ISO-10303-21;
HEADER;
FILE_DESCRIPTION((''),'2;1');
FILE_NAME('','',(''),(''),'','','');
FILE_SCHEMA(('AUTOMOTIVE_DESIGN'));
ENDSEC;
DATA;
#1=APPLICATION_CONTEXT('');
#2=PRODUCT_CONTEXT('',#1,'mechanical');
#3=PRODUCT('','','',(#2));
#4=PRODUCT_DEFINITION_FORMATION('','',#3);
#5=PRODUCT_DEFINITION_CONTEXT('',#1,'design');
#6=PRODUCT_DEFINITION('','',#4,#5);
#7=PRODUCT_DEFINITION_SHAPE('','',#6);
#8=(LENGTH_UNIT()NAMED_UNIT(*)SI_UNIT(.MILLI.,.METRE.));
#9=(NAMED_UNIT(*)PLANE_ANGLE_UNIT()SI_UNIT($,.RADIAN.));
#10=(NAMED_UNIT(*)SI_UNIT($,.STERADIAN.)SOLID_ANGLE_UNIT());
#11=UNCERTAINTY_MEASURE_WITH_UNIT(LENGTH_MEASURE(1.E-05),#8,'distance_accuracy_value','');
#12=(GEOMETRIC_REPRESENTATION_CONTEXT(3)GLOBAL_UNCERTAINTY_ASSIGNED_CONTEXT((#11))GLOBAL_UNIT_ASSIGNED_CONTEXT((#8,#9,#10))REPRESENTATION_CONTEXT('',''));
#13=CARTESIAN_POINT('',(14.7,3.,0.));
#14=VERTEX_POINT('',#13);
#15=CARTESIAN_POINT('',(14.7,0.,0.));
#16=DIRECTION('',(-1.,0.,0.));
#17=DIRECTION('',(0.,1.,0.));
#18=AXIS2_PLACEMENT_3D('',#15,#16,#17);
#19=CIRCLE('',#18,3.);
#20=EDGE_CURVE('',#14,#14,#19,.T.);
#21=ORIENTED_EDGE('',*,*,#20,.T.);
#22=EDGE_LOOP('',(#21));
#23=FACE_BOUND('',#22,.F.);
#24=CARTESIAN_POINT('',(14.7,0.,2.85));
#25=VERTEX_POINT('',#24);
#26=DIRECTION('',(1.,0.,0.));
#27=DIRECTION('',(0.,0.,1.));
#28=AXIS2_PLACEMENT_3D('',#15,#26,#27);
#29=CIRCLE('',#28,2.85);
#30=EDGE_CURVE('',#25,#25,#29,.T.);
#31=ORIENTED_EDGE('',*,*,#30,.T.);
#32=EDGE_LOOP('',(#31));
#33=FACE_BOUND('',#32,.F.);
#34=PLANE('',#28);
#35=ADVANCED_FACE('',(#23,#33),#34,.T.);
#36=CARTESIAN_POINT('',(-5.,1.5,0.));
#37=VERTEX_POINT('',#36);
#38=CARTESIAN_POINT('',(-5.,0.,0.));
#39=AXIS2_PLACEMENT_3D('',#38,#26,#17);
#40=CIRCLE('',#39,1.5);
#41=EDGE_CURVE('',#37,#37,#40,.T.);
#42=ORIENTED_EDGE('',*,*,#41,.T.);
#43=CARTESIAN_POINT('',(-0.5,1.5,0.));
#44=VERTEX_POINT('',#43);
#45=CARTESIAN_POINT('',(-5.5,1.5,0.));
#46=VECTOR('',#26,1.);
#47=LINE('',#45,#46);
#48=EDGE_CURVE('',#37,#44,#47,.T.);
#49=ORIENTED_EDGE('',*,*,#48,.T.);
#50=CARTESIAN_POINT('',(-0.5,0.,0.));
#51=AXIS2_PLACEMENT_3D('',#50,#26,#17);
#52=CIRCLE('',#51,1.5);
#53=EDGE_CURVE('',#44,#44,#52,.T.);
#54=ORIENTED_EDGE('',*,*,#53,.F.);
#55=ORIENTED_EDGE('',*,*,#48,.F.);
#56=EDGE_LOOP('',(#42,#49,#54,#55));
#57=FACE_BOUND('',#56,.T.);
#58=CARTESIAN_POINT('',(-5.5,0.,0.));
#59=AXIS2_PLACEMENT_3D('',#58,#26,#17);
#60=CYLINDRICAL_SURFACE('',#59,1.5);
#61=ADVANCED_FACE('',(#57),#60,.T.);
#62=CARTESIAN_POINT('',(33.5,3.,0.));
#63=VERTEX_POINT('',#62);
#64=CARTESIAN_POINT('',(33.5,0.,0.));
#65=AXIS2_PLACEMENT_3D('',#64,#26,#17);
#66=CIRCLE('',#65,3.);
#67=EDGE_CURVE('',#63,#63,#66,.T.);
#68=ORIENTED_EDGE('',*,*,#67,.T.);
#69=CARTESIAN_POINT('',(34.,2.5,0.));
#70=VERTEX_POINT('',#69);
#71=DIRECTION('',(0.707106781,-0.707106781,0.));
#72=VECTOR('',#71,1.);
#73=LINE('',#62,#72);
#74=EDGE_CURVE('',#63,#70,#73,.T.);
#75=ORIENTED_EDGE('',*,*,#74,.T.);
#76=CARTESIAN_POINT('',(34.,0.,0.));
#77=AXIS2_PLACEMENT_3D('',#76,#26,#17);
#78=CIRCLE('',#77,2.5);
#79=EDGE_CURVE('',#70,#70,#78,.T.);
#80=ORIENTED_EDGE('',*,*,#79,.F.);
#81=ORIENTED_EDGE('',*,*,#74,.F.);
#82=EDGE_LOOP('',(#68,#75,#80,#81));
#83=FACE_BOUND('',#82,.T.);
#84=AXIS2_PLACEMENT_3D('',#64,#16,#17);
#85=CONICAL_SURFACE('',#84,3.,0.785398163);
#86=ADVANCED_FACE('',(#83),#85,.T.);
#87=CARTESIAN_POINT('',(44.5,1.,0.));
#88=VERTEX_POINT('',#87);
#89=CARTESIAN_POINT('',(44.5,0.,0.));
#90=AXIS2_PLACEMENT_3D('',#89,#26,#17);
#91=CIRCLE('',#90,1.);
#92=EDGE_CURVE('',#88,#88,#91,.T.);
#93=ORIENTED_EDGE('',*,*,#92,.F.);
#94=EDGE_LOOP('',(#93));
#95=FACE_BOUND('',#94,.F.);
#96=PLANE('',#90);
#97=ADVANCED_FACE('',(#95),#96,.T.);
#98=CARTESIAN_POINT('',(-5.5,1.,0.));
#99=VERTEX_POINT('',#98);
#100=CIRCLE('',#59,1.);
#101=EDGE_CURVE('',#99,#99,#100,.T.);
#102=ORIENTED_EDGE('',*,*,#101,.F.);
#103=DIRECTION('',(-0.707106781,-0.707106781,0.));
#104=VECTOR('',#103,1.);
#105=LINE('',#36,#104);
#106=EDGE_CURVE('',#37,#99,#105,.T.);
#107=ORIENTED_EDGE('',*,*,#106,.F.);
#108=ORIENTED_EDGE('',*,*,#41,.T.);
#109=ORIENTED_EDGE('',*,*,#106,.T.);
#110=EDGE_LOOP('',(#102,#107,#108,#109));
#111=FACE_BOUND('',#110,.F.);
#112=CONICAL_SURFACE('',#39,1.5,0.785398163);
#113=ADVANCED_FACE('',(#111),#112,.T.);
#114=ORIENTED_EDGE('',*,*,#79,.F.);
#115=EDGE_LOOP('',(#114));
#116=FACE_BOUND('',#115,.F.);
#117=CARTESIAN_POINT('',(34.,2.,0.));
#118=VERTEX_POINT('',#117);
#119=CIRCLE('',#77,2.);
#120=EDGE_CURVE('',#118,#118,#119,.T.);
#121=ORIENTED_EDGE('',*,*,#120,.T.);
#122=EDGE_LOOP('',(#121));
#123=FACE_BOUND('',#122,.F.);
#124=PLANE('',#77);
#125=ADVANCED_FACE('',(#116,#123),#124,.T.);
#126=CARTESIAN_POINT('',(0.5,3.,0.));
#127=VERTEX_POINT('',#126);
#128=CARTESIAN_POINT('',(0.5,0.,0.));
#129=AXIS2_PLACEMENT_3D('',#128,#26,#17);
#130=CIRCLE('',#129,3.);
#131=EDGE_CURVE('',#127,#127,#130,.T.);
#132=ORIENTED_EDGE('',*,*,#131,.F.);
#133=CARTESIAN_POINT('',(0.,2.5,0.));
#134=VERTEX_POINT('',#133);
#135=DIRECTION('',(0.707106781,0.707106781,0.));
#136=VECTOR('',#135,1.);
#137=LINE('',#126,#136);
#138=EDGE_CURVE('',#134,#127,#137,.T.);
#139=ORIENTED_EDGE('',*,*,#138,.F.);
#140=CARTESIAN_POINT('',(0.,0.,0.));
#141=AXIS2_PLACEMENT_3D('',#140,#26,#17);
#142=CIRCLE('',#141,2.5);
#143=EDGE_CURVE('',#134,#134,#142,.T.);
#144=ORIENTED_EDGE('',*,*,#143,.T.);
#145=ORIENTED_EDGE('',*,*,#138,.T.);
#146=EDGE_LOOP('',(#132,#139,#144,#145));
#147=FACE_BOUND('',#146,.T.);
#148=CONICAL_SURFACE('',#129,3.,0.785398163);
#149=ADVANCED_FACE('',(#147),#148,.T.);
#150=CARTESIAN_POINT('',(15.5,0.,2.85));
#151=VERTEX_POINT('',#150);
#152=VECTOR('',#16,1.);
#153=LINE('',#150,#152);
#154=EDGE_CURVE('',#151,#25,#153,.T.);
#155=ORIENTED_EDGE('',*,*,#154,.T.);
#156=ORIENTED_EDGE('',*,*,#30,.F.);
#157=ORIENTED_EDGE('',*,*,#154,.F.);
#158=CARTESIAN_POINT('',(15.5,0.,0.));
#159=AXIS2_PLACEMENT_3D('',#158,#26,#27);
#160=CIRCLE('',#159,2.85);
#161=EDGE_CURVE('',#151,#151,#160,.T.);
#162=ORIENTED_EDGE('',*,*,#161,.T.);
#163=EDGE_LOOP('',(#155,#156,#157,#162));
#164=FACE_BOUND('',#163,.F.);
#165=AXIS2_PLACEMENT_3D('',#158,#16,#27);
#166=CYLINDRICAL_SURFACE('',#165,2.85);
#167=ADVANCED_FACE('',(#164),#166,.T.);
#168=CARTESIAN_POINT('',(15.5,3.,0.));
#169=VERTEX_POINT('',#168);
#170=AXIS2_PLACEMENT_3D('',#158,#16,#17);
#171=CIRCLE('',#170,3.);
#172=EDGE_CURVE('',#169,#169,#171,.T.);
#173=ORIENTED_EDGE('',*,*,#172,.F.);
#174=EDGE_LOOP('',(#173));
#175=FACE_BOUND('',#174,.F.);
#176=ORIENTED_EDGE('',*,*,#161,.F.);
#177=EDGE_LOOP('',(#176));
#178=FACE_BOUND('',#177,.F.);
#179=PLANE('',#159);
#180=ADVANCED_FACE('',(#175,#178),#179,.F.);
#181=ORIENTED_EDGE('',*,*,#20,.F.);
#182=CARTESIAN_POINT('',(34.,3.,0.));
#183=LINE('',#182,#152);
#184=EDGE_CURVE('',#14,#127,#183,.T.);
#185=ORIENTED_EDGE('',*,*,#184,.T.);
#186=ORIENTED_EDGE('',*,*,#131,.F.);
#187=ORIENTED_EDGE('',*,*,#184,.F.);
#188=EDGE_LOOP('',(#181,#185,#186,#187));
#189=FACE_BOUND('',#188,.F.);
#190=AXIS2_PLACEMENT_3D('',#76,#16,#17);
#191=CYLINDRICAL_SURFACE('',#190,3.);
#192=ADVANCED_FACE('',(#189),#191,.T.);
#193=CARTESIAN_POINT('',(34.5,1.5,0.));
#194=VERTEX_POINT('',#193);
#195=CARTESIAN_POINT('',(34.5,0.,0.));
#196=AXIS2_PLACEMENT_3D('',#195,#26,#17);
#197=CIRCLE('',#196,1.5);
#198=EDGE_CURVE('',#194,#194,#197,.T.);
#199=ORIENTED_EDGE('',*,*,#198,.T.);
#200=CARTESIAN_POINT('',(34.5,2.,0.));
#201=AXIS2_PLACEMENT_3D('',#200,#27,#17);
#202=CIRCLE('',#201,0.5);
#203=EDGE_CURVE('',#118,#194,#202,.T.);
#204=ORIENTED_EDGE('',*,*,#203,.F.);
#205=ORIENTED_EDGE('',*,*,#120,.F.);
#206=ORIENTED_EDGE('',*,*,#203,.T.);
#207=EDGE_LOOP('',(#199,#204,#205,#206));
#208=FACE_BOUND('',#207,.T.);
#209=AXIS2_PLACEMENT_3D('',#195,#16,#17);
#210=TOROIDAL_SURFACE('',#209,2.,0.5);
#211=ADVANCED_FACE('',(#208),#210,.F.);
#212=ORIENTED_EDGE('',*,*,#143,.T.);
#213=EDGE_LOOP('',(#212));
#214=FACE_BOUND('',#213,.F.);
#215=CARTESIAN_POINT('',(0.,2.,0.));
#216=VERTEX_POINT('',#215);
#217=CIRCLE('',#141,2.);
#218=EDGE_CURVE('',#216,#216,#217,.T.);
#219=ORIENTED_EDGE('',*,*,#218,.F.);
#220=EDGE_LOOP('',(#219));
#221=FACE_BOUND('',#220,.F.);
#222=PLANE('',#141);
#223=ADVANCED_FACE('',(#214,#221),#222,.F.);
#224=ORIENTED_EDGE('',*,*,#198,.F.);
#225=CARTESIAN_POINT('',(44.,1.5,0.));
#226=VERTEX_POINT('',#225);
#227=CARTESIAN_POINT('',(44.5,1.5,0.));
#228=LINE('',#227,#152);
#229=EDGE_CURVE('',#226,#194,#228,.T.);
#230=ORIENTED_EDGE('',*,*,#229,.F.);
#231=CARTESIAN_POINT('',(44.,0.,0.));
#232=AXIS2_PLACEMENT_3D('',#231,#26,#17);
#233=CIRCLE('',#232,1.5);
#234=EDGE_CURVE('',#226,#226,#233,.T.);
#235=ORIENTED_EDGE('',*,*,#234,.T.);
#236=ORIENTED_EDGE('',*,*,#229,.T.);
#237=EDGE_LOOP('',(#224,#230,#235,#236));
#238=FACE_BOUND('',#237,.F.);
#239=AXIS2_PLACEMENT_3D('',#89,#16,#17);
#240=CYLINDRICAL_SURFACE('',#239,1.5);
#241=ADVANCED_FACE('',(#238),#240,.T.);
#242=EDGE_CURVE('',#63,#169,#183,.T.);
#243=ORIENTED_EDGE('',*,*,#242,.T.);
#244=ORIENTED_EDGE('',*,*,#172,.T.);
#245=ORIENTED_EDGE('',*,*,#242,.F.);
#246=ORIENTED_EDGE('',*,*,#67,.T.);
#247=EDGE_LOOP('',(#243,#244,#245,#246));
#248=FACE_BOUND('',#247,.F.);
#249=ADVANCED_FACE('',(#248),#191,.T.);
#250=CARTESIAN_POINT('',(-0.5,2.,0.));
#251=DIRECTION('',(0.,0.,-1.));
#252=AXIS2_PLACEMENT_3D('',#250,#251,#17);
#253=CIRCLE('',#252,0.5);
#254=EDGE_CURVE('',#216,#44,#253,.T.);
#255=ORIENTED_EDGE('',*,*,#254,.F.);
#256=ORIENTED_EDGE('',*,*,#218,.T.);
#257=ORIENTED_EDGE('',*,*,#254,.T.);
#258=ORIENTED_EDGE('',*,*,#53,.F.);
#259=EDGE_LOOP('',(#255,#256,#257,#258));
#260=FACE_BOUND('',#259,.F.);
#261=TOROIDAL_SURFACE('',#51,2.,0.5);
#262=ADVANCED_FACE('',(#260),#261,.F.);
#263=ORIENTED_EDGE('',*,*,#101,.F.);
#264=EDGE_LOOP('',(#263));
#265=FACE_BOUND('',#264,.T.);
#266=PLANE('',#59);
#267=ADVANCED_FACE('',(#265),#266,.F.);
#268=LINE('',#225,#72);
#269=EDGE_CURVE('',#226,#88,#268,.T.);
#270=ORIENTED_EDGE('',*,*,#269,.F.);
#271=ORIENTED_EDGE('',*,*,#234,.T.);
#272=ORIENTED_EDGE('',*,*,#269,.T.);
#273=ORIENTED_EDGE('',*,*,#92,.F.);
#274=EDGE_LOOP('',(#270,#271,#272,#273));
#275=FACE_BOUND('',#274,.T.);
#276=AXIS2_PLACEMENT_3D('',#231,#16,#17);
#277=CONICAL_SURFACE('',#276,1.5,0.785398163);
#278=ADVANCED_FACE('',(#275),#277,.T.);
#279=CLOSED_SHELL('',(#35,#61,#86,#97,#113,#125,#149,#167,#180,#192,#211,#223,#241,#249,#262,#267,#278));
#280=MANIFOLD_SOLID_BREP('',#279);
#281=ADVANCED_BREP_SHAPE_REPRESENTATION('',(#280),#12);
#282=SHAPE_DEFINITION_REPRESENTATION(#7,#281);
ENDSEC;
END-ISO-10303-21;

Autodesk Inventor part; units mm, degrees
ref_plane "YZ Plane" through (0, 0, 0) normal (1, 0, 0) x (0, 1, 0)
ref_plane "XZ Plane" through (0, 0, 0) normal (0, 1, 0) x (-1, 0, 0)
ref_plane "XY Plane" through (0, 0, 0) normal (0, 0, 1) x (1, 0, 0)
sketch "Sketch1" plane through (0, 0, 0) normal (0, 0, 1) x (1, 0, 0)
  line L0 (0, 0) -> (34, 0)
  line L1 (34, 0) -> (34, 3)
  line L2 (34, 3) -> (0, 3)
  line L3 (0, 3) -> (0, 0)
  line L4 (0, 0) -> (-5.5, 0)
  line L5 (-5.5, 0) -> (-5.5, 1.5)
  line L6 (-5.5, 1.5) -> (0, 1.5)
  line L7 (0, 1.5) -> (0, 0)
  line L8 (34, 0) -> (44.5, 0)
  line L9 (44.5, 0) -> (44.5, 1.5)
  line L10 (44.5, 1.5) -> (34, 1.5)
  line L11 (34, 1.5) -> (34, 0)
  dimension "d0" = 3
  dimension "d1" = 34
  dimension "d2" = 1.5
  dimension "d3" = 5.5
  dimension "d4" = 1.5
  dimension "d5" = 10.5
revolve "Revolution1" add sketch "Sketch1" angle 360 about axis through (0, 0, 0) along (1, 0, 0)
fillet "Fillet1" radius 0.5 2 edges at (34, -1.5, 0) (0, -1.5, 0)
chamfer "Chamfer1" distance 0.5 angle 45 4 edges at (-5.5, -1.5, 0) (0, -3, 0) (34, -3, 0) (44.5, -1.5, 0)
sketch "Sketch2" plane through (0, 0, 0) normal (0, 1, 0) x (-1, 0, 0)
  line L0 (-14.7, 3) -> (-15.5, 3)
  line L1 (-15.5, 3) -> (-15.5, 2.85)
  line L2 (-15.5, 2.85) -> (-14.7, 2.85)
  line L3 (-14.7, 2.85) -> (-14.7, 3)
  line L4 (-0.5, -3) -> (-0.5, 3) projected
  line L5 (-33.5, 3) -> (-33.5, -3) projected
  line L6 (15.5, 0) -> (-54.5, 0) projected
  line L7 (0, 2.5) -> (0, -2.5) projected
  point P0 (0, 0)
  dimension "d11" = 2.85
  dimension "d12" = 0.8
  dimension "d13" = 15.5
revolve "Revolution2" cut sketch "Sketch2" angle 360 about axis through (-10, 0, 0) along (1, 0, 0)
equation "\"d4\" = d2"
properties part number "Pancake_Reverse Shaft" material "Aluminum 6061"
